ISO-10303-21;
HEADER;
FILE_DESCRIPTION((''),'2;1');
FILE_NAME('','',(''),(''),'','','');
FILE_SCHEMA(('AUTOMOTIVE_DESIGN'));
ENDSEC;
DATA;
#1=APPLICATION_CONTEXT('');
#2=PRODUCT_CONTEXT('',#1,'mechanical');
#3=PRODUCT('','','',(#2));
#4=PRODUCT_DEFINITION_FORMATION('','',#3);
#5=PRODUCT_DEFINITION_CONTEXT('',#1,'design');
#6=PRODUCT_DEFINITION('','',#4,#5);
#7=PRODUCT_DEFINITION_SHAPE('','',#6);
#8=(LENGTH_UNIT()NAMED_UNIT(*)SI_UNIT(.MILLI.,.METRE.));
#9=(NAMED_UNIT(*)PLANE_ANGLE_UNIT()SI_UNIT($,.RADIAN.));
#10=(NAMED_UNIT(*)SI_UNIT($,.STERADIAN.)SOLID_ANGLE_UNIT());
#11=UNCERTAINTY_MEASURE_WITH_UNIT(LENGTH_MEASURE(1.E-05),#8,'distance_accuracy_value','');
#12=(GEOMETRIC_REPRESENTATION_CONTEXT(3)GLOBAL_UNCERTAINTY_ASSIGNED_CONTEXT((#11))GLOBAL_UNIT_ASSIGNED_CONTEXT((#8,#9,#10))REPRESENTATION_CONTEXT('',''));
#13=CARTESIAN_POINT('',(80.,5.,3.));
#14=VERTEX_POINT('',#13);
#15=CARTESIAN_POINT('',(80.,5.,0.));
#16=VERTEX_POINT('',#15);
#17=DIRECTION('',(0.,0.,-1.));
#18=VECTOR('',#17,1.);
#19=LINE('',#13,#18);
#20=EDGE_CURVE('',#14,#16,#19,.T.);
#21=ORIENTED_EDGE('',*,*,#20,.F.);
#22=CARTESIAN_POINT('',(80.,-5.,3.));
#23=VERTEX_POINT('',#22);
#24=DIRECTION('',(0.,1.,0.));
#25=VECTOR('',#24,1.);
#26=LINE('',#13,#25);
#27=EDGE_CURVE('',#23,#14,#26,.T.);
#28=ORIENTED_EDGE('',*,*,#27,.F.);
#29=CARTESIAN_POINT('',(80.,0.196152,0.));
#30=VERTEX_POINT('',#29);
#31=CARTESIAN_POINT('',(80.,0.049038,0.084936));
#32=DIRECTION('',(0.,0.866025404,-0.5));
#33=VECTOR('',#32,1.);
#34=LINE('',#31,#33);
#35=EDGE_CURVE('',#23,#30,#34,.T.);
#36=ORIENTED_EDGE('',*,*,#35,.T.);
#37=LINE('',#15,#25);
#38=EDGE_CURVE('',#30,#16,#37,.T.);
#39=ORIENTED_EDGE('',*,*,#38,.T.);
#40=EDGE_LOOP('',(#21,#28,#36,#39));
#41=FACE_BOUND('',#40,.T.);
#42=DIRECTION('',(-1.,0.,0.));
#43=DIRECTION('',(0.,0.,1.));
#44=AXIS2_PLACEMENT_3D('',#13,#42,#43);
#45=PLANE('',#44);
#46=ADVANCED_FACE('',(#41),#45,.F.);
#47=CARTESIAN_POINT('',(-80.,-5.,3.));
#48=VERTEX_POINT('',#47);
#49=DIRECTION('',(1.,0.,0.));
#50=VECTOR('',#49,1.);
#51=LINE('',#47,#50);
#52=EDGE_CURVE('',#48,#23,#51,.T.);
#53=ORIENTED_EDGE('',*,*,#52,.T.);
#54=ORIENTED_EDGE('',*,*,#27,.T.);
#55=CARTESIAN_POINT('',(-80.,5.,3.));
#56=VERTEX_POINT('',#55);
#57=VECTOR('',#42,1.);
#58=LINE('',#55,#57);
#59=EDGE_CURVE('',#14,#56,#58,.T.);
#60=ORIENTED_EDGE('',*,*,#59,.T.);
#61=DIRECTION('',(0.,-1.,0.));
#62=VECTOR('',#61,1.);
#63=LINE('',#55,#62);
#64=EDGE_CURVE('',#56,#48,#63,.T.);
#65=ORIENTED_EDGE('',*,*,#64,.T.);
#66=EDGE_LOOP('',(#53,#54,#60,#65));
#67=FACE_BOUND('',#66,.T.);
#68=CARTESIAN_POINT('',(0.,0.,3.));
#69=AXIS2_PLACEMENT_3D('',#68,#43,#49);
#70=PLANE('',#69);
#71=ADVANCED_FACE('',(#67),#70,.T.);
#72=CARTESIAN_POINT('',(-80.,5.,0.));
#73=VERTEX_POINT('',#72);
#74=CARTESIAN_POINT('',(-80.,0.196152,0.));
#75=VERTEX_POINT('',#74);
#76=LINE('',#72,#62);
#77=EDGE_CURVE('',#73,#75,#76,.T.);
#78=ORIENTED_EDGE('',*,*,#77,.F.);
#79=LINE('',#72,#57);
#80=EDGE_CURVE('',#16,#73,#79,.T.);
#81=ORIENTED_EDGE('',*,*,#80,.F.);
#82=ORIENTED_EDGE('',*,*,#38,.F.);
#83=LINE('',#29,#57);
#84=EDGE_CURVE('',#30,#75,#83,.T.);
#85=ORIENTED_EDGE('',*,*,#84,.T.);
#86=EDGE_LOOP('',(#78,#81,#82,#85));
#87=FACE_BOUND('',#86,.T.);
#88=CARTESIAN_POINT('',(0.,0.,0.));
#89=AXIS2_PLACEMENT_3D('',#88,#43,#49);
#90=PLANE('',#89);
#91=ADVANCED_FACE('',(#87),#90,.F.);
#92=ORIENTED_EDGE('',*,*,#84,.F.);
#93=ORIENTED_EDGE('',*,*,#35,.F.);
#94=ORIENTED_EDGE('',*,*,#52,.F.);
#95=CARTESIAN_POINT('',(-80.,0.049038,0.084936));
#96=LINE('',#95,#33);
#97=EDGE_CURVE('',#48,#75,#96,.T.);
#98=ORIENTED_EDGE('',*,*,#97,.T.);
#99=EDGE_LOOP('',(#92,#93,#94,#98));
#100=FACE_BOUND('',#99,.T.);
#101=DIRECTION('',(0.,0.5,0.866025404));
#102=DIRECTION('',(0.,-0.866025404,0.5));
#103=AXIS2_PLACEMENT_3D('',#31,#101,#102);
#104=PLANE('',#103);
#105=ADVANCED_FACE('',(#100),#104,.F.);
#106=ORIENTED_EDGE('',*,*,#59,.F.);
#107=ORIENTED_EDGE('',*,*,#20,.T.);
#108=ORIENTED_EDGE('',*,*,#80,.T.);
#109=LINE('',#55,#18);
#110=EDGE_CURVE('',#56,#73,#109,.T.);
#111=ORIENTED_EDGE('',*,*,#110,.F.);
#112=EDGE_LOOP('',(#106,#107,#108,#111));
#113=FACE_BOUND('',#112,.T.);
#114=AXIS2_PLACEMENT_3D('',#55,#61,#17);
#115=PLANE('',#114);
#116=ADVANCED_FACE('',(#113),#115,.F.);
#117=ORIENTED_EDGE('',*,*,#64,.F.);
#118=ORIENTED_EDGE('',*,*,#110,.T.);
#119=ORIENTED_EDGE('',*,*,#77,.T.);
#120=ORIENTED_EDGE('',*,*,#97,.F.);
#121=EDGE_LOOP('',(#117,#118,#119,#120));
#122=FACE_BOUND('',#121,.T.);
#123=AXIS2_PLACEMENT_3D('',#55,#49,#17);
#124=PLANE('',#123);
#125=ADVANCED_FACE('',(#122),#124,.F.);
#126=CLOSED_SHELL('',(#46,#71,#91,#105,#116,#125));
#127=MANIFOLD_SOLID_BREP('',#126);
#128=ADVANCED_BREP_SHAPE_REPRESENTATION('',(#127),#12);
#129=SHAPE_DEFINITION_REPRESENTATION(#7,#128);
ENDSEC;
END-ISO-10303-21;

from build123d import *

# Parameters (mm, degrees)
CROQUIS1_W              = 160
CROQUIS1_H              = 10
SALIENTE_EXTRUIR1_DEPTH = 3
CORTAR_EXTRUIR1_DEPTH   = 161.106214745


with BuildPart() as part:
    # Croquis1 → Saliente-Extruir1 (new body)
    with BuildSketch(Plane.XY):
        Rectangle(CROQUIS1_W, CROQUIS1_H)
    extrude(amount=SALIENTE_EXTRUIR1_DEPTH)

    # Croquis2 → Cortar-Extruir1 (cut, through all)
    with BuildSketch(Plane.ZY.offset(80)):
        Polygon((0, -5), (3, -5), (0, 0.196152423), align=None)
    extrude(amount=-CORTAR_EXTRUIR1_DEPTH, mode=Mode.SUBTRACT)


solid = part.part
